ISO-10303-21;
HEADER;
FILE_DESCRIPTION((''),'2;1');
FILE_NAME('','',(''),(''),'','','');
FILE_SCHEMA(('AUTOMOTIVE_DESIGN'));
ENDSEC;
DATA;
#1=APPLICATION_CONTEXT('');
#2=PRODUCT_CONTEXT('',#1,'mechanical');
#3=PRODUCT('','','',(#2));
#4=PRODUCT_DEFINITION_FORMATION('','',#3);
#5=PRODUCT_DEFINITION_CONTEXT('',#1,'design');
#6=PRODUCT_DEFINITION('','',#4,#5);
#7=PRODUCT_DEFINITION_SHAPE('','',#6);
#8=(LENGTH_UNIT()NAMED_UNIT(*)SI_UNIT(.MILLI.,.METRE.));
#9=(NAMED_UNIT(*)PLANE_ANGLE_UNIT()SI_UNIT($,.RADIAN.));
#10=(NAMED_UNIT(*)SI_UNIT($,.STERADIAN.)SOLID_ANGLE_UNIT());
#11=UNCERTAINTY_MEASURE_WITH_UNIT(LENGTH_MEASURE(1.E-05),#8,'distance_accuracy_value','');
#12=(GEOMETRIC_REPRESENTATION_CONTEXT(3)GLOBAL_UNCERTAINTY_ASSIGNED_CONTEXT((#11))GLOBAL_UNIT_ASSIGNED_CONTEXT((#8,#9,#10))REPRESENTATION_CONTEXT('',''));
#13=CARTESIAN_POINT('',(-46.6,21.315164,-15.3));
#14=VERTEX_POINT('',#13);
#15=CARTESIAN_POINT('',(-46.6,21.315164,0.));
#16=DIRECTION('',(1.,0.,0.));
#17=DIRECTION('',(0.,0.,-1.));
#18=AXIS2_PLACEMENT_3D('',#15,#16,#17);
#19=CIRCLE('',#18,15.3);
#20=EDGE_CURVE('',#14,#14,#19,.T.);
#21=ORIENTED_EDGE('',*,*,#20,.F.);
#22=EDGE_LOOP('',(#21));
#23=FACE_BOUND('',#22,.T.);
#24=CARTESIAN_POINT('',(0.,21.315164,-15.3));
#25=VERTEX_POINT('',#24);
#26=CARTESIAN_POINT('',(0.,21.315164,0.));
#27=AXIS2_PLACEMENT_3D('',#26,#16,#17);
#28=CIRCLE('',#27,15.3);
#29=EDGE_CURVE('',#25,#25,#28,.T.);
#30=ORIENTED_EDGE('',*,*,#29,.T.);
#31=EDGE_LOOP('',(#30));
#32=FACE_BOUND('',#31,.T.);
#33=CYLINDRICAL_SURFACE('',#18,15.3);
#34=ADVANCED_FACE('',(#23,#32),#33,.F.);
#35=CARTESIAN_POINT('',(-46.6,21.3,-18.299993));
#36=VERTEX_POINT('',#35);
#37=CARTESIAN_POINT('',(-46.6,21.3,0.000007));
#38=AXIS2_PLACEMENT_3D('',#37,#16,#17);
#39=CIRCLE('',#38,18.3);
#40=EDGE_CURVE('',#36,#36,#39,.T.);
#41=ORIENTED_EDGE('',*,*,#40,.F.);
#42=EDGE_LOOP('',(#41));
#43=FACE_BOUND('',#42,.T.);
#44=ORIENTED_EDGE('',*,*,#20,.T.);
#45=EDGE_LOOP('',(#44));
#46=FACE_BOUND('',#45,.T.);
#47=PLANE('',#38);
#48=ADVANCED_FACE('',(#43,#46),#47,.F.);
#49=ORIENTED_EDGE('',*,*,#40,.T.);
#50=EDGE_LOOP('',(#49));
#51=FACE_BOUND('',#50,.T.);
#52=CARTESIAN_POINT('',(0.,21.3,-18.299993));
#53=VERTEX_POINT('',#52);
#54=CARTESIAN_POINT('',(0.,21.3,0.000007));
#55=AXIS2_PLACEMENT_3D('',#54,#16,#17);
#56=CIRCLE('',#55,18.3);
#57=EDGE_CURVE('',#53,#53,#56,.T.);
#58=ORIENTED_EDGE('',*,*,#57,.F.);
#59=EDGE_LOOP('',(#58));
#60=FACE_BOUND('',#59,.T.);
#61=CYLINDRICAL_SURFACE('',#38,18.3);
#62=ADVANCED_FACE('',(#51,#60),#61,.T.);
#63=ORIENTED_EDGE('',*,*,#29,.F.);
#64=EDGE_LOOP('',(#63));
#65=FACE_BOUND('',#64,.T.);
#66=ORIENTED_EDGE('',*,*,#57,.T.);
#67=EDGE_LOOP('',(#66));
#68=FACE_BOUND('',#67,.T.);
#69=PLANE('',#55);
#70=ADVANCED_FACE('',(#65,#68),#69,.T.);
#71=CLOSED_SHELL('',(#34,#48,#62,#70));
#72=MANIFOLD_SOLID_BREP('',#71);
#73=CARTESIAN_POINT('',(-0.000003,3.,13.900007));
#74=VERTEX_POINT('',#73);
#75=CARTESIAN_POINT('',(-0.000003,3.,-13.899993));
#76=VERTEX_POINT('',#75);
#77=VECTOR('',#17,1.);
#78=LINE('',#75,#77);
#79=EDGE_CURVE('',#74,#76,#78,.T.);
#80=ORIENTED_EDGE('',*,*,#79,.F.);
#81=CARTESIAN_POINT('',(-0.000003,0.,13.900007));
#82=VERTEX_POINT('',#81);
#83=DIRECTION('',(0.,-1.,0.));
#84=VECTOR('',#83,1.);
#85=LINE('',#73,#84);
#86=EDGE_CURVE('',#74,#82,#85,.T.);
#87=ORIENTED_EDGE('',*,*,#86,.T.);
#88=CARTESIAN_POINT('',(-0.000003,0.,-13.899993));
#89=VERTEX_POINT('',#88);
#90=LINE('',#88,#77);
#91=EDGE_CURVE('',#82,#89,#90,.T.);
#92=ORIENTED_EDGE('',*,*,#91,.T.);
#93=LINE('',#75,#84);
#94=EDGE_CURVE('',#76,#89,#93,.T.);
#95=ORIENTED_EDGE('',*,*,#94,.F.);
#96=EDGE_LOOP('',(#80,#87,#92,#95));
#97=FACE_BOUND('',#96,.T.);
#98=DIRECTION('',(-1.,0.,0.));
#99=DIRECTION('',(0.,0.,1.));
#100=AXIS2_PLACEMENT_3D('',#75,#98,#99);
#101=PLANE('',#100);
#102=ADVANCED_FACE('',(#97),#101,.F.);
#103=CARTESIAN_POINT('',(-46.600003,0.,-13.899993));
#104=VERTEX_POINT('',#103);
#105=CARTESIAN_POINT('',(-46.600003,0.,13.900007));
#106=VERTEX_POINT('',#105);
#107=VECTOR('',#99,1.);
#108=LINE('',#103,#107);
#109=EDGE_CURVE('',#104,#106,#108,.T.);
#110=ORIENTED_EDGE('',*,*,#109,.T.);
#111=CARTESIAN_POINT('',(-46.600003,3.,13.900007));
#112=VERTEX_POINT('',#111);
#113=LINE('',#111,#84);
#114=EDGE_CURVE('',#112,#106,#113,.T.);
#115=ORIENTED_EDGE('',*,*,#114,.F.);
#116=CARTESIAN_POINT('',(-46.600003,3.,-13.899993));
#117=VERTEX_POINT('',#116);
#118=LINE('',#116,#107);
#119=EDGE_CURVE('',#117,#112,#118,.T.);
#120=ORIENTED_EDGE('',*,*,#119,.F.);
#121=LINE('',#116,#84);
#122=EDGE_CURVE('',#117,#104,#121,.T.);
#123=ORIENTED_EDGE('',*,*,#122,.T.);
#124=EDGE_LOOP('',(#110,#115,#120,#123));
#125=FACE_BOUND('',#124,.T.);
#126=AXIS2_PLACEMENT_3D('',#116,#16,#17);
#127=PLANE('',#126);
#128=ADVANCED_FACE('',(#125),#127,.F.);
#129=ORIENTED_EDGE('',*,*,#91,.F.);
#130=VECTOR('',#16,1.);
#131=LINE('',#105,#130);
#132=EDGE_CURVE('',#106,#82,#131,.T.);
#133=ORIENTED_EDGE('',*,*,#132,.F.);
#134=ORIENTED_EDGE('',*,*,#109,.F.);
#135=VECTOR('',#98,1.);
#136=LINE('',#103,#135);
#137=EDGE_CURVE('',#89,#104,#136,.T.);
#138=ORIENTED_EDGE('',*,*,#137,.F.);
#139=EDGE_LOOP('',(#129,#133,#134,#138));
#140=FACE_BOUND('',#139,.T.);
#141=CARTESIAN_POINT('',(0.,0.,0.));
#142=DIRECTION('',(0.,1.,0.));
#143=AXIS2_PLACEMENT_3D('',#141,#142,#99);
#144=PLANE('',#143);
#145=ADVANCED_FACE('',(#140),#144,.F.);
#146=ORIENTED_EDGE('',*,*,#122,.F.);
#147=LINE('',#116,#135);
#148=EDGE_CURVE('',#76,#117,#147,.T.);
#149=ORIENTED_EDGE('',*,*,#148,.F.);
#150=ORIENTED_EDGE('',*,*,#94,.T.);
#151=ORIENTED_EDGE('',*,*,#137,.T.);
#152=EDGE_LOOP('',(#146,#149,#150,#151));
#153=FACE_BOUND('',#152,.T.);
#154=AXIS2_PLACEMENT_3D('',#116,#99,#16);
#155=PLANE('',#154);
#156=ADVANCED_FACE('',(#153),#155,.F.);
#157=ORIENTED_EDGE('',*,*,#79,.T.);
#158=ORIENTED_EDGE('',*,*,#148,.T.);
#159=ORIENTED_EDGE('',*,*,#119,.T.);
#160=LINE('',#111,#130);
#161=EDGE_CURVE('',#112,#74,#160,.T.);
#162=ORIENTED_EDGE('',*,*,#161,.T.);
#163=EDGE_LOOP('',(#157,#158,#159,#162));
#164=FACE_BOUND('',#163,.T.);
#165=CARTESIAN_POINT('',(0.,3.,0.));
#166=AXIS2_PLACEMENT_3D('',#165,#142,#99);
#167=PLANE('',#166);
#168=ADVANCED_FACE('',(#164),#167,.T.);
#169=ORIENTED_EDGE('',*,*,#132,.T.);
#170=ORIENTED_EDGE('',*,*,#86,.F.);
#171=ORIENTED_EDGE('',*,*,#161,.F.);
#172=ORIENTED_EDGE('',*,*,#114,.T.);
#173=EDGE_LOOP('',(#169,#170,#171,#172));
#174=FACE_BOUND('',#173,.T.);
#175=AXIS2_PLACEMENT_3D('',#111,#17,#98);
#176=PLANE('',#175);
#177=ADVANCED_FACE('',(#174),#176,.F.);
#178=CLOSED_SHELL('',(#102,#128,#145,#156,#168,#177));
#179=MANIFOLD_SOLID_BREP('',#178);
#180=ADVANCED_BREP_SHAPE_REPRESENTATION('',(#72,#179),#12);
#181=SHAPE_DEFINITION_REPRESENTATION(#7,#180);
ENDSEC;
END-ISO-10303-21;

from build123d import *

# Parameters (mm, degrees)
SKETCH1_W           = 46.6
SKETCH1_H           = 27.8
BOSS_EXTRUDE1_DEPTH = 3
SKETCH3_R           = 18.3
BOSS_EXTRUDE2_DEPTH = 46.6
SKETCH4_R           = 15.3
CUT_EXTRUDE1_DEPTH  = 46.6


with BuildPart() as part:
    # Sketch1 → Boss-Extrude1 (new body)
    with BuildSketch(Plane(origin=(0, 0, 0), x_dir=(1, 0, 0), z_dir=(0, 1, 0))):
        with Locations((-23.300002726, -6.551e-06)):
            Rectangle(SKETCH1_W, SKETCH1_H)
    extrude(amount=BOSS_EXTRUDE1_DEPTH)


with BuildPart() as body_2:
    # Sketch3 → Boss-Extrude2 (new body)
    with BuildSketch(Plane(origin=(0, 0, 0), x_dir=(0, 0, -1), z_dir=(1, 0, 0))):
        with Locations((-6.551e-06, 21.3)):
            Circle(SKETCH3_R)
    extrude(amount=-BOSS_EXTRUDE2_DEPTH)

    # Sketch4 → Cut-Extrude1 (cut)
    with BuildSketch(Plane(origin=(0, 0, 0), x_dir=(0, 0, -1), z_dir=(1, 0, 0))):
        with Locations((0, 21.31516417)):
            Circle(SKETCH4_R)
    extrude(amount=-CUT_EXTRUDE1_DEPTH, mode=Mode.SUBTRACT)


solid = Compound([part.part, body_2.part])
